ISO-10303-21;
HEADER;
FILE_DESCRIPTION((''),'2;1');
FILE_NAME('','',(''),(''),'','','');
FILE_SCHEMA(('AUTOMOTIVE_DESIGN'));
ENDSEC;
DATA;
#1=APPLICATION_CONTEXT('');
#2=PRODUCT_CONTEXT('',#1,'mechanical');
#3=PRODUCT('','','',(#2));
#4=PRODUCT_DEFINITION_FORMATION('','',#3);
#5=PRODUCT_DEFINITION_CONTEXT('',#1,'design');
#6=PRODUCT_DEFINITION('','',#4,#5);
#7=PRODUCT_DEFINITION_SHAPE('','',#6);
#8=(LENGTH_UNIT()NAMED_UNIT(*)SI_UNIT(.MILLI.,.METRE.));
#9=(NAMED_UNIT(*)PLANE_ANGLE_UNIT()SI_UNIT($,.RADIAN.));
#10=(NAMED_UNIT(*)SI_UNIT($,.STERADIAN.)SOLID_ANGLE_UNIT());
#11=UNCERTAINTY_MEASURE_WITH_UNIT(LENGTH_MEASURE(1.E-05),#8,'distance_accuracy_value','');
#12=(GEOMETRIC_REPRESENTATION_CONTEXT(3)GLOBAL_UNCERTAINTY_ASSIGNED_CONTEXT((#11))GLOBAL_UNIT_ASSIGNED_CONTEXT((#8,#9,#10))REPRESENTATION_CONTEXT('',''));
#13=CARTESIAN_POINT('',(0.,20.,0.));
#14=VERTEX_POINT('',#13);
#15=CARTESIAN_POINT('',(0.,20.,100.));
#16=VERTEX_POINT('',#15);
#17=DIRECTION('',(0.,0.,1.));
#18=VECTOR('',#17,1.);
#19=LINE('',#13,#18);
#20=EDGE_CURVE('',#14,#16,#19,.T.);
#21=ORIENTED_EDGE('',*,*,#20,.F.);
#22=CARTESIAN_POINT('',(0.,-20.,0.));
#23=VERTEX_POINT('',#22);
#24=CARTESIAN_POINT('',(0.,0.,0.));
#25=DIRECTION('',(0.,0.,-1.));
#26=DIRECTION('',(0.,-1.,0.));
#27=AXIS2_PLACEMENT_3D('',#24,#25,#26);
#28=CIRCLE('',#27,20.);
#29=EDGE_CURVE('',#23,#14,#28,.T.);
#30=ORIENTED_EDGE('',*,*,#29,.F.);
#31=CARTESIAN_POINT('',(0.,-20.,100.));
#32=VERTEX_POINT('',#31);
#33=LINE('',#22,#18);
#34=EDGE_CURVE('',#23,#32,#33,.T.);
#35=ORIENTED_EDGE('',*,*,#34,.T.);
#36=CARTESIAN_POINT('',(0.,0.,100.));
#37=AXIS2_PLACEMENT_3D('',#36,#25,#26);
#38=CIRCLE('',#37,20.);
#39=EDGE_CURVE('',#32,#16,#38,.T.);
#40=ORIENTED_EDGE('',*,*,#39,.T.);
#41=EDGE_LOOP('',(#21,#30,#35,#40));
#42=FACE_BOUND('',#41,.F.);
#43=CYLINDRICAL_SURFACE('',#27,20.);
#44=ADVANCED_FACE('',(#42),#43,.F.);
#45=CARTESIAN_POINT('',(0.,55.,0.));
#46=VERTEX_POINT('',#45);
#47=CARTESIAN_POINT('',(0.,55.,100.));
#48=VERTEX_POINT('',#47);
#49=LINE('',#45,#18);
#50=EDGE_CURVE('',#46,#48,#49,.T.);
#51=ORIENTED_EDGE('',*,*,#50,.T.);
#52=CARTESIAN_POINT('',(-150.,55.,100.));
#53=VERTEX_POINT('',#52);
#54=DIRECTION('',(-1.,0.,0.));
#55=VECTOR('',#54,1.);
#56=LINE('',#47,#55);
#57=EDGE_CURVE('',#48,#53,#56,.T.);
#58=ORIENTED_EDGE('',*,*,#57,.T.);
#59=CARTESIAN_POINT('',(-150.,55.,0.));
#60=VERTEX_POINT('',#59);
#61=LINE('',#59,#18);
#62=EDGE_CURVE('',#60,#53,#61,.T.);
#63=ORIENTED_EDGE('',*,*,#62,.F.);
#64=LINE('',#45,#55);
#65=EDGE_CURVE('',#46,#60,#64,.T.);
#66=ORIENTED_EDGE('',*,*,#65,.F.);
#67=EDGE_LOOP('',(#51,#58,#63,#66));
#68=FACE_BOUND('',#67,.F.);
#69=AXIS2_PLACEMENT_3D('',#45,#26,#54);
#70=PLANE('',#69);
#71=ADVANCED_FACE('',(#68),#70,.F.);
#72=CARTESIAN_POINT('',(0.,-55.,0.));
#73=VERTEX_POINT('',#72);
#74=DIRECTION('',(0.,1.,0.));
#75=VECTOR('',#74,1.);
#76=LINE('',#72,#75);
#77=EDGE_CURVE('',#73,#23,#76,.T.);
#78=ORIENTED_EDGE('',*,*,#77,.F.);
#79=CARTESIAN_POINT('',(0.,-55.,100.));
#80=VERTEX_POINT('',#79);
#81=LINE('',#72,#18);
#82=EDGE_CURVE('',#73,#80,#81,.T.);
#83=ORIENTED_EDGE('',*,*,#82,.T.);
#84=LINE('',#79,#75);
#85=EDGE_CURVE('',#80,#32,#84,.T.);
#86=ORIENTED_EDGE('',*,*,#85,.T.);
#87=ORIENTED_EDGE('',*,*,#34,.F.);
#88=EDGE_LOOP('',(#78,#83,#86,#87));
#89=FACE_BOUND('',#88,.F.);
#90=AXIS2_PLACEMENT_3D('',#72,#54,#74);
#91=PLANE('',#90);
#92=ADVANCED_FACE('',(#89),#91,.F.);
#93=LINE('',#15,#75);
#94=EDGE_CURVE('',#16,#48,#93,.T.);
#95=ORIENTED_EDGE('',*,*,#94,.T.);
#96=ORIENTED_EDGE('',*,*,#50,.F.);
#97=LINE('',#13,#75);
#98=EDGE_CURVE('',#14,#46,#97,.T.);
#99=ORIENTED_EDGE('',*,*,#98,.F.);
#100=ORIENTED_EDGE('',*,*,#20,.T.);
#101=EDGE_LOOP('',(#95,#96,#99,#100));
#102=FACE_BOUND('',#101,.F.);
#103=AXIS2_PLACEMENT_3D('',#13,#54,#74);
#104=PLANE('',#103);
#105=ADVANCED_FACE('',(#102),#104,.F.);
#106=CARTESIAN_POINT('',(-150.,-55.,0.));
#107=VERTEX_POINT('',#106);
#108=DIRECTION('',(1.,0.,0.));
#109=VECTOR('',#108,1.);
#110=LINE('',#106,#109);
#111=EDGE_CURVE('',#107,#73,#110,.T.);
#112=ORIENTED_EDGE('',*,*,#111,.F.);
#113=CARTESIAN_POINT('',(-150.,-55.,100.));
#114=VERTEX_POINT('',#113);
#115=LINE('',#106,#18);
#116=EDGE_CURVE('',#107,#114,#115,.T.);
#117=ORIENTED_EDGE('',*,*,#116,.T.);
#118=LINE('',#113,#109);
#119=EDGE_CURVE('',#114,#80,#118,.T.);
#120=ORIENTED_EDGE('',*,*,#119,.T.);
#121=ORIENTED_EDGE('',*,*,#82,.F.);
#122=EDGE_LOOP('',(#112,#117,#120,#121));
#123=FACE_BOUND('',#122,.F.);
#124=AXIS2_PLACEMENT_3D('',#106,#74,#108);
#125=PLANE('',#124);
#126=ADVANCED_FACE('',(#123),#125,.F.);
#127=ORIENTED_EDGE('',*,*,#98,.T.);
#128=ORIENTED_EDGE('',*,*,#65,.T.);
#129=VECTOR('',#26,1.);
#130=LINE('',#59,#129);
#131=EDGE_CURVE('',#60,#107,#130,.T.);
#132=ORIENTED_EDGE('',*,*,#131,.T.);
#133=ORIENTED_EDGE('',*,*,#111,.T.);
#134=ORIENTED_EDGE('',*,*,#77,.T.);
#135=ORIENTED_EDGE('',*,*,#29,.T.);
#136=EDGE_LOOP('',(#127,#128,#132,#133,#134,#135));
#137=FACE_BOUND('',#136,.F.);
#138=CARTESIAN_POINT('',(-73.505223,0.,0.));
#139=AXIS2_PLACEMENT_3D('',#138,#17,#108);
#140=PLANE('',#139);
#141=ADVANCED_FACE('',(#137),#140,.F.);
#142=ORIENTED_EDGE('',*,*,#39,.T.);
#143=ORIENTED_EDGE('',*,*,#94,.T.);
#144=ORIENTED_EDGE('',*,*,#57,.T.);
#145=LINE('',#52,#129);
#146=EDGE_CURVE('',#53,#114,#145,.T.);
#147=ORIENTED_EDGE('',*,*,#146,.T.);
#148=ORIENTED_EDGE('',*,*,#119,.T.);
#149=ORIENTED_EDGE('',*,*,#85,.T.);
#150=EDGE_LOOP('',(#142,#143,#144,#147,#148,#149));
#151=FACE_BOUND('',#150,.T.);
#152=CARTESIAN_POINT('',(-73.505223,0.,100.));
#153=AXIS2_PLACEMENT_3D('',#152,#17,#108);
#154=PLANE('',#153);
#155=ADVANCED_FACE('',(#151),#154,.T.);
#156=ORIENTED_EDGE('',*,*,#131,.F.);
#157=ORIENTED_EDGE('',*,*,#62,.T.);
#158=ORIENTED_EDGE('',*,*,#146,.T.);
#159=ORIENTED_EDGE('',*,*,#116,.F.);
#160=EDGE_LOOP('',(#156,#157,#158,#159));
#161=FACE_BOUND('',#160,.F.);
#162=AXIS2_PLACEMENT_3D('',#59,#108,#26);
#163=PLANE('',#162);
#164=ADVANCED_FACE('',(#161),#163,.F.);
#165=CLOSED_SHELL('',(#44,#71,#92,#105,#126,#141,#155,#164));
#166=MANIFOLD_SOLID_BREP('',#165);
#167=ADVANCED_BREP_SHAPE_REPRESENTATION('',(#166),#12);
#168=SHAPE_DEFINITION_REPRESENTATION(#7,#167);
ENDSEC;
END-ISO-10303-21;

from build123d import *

# Parameters (mm, degrees)
F1_DEPTH = 100


with BuildPart() as f1:
    # F0 (on Top) → F1 (new body)
    with BuildSketch(Plane.XY):
        with BuildLine():
            ThreePointArc((0, -20), (-20, 0), (0, 20))
            Line((0, 20), (0, 55))
            Line((0, 55), (-150, 55))
            Line((-150, 55), (-150, -55))
            Line((-150, -55), (0, -55))
            Line((0, -55), (0, -20))
        make_face()
    extrude(amount=F1_DEPTH)


solid = f1.part
